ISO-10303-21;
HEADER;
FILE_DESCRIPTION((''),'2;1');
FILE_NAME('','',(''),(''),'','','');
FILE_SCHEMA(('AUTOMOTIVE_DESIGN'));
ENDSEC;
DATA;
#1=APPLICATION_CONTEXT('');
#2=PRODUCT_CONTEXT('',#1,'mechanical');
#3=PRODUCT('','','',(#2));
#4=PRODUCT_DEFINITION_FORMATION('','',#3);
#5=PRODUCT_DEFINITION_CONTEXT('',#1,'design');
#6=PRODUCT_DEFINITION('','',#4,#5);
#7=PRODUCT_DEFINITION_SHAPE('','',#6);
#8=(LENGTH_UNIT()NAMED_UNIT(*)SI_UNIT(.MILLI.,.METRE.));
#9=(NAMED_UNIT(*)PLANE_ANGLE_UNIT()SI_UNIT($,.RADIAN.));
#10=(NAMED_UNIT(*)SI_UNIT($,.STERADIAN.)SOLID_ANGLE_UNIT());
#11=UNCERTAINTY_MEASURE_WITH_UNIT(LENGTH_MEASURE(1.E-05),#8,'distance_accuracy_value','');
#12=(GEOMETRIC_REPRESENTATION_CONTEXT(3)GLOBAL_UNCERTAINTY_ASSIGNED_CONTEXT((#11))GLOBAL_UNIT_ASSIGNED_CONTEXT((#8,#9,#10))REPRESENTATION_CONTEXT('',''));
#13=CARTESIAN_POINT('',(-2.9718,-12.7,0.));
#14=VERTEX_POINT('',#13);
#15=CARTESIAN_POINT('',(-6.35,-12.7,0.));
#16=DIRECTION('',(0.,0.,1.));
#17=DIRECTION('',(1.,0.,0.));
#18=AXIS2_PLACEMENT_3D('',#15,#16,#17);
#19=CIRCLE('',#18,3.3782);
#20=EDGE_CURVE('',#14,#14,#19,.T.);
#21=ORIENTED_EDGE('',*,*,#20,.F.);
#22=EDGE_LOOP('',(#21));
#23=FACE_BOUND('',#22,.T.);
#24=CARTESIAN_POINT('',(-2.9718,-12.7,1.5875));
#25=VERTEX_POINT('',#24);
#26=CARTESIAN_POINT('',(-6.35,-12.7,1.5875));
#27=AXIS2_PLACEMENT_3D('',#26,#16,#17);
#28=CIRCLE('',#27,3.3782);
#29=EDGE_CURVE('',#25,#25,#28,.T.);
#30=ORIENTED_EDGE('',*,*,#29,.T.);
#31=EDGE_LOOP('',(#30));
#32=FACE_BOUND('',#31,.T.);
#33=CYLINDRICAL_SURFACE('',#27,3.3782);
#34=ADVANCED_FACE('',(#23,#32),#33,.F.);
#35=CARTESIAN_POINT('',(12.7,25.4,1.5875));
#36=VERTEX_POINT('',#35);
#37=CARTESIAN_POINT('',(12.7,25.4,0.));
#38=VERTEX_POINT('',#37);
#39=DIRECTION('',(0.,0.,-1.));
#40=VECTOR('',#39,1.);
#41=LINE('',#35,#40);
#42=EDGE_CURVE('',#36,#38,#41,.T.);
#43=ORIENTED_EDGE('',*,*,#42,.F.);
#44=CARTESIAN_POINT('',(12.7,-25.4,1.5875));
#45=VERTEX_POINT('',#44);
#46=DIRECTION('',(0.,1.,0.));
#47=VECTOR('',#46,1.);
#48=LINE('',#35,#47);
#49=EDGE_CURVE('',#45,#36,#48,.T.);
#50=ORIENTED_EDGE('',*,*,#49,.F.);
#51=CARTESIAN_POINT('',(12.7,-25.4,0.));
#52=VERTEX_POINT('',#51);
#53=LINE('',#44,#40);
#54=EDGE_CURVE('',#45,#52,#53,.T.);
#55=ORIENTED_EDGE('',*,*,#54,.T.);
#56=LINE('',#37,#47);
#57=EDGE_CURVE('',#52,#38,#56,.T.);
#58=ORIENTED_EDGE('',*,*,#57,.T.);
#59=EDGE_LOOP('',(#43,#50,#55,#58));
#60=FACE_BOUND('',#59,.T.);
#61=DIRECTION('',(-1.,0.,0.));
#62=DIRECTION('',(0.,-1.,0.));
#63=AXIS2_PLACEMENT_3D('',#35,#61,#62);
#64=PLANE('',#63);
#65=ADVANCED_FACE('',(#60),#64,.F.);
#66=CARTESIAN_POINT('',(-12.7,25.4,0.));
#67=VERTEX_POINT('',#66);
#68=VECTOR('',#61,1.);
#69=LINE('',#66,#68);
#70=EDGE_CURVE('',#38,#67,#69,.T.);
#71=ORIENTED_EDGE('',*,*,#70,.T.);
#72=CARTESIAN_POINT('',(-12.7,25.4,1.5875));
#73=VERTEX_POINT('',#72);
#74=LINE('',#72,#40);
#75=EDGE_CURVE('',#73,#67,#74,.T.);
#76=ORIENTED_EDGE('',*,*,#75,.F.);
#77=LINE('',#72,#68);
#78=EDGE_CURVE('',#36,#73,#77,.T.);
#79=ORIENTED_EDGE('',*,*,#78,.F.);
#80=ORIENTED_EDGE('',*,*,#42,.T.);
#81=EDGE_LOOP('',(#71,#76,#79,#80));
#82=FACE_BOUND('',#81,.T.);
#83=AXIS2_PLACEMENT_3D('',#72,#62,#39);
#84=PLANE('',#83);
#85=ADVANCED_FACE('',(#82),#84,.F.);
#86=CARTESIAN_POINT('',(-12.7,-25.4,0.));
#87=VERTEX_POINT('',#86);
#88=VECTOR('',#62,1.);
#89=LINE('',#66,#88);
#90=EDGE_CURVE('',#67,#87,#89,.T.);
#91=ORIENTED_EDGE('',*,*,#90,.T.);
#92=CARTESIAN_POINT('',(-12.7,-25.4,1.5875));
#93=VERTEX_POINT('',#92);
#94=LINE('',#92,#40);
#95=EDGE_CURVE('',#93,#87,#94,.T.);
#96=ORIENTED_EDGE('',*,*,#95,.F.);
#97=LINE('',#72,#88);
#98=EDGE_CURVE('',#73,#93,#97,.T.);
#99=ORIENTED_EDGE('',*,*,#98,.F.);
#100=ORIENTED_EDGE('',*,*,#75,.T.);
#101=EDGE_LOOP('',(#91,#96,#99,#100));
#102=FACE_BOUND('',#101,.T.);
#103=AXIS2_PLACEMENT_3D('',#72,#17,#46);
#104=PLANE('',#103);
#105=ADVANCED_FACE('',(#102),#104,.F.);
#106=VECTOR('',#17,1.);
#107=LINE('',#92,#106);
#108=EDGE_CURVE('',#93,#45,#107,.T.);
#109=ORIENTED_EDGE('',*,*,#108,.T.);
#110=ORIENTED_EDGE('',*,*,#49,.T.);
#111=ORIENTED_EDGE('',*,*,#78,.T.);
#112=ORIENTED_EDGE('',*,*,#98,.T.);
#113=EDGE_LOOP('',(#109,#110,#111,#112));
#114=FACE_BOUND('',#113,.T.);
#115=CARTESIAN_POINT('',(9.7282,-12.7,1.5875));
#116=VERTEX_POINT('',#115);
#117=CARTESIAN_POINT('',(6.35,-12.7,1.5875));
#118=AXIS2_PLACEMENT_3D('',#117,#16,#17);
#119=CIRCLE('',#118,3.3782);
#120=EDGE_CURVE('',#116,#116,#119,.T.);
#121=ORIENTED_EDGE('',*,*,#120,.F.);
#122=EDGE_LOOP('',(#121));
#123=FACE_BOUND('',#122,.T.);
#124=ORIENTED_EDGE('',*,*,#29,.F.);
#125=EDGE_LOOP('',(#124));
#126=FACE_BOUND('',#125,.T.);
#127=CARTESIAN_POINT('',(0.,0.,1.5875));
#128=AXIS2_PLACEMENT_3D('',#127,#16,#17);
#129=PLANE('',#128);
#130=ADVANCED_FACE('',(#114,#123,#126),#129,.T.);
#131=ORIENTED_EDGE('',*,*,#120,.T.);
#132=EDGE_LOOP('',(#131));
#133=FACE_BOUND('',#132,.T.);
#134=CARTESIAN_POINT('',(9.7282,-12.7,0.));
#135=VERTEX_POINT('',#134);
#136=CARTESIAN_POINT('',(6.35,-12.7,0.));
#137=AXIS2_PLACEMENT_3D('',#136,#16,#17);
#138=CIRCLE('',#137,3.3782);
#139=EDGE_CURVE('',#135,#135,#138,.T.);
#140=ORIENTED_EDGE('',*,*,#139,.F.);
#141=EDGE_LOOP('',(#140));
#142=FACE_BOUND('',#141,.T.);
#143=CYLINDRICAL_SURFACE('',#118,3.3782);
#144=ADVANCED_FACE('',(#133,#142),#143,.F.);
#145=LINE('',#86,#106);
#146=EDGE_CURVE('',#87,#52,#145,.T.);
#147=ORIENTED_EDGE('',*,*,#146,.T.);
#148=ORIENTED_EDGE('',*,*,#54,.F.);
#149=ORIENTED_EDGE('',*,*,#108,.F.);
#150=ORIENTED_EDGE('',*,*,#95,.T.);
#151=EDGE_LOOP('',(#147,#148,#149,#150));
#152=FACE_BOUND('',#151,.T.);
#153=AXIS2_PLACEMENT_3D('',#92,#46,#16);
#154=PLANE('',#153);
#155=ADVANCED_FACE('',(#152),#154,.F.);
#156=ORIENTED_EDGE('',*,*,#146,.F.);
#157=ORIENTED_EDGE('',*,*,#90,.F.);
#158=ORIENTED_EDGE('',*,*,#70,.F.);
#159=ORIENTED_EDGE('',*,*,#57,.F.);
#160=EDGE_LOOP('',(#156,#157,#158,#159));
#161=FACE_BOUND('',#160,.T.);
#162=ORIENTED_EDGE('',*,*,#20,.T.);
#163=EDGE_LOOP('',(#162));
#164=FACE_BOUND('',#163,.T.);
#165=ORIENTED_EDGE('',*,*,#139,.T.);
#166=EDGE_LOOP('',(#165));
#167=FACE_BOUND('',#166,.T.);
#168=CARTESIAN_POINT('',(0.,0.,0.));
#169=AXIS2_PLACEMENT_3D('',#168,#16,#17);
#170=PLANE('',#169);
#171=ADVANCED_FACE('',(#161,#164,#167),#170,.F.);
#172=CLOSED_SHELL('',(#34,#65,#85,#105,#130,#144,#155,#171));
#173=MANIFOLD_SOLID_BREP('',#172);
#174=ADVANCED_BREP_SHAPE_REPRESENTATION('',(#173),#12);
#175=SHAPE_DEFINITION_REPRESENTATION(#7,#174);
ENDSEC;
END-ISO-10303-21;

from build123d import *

# Parameters (mm, degrees)
SKETCH1_W               = 25.4
SKETCH1_H               = 50.8
BOSS_EXTRUDE1_DEPTH     = 1.5875
F_1_4_CLEARANCE_HOLE1_D = 6.7564


with BuildPart() as part:
    # Sketch1 → Boss-Extrude1 (new body)
    with BuildSketch(Plane.XY):
        Rectangle(SKETCH1_W, SKETCH1_H)
    extrude(amount=BOSS_EXTRUDE1_DEPTH)

    # 1/4 Clearance Hole1 (through all)
    with Locations(Plane.XY.offset(1.5875)):
        with Locations((-6.35, -12.7), (6.35, -12.7)):
            Hole(F_1_4_CLEARANCE_HOLE1_D / 2)


solid = part.part
